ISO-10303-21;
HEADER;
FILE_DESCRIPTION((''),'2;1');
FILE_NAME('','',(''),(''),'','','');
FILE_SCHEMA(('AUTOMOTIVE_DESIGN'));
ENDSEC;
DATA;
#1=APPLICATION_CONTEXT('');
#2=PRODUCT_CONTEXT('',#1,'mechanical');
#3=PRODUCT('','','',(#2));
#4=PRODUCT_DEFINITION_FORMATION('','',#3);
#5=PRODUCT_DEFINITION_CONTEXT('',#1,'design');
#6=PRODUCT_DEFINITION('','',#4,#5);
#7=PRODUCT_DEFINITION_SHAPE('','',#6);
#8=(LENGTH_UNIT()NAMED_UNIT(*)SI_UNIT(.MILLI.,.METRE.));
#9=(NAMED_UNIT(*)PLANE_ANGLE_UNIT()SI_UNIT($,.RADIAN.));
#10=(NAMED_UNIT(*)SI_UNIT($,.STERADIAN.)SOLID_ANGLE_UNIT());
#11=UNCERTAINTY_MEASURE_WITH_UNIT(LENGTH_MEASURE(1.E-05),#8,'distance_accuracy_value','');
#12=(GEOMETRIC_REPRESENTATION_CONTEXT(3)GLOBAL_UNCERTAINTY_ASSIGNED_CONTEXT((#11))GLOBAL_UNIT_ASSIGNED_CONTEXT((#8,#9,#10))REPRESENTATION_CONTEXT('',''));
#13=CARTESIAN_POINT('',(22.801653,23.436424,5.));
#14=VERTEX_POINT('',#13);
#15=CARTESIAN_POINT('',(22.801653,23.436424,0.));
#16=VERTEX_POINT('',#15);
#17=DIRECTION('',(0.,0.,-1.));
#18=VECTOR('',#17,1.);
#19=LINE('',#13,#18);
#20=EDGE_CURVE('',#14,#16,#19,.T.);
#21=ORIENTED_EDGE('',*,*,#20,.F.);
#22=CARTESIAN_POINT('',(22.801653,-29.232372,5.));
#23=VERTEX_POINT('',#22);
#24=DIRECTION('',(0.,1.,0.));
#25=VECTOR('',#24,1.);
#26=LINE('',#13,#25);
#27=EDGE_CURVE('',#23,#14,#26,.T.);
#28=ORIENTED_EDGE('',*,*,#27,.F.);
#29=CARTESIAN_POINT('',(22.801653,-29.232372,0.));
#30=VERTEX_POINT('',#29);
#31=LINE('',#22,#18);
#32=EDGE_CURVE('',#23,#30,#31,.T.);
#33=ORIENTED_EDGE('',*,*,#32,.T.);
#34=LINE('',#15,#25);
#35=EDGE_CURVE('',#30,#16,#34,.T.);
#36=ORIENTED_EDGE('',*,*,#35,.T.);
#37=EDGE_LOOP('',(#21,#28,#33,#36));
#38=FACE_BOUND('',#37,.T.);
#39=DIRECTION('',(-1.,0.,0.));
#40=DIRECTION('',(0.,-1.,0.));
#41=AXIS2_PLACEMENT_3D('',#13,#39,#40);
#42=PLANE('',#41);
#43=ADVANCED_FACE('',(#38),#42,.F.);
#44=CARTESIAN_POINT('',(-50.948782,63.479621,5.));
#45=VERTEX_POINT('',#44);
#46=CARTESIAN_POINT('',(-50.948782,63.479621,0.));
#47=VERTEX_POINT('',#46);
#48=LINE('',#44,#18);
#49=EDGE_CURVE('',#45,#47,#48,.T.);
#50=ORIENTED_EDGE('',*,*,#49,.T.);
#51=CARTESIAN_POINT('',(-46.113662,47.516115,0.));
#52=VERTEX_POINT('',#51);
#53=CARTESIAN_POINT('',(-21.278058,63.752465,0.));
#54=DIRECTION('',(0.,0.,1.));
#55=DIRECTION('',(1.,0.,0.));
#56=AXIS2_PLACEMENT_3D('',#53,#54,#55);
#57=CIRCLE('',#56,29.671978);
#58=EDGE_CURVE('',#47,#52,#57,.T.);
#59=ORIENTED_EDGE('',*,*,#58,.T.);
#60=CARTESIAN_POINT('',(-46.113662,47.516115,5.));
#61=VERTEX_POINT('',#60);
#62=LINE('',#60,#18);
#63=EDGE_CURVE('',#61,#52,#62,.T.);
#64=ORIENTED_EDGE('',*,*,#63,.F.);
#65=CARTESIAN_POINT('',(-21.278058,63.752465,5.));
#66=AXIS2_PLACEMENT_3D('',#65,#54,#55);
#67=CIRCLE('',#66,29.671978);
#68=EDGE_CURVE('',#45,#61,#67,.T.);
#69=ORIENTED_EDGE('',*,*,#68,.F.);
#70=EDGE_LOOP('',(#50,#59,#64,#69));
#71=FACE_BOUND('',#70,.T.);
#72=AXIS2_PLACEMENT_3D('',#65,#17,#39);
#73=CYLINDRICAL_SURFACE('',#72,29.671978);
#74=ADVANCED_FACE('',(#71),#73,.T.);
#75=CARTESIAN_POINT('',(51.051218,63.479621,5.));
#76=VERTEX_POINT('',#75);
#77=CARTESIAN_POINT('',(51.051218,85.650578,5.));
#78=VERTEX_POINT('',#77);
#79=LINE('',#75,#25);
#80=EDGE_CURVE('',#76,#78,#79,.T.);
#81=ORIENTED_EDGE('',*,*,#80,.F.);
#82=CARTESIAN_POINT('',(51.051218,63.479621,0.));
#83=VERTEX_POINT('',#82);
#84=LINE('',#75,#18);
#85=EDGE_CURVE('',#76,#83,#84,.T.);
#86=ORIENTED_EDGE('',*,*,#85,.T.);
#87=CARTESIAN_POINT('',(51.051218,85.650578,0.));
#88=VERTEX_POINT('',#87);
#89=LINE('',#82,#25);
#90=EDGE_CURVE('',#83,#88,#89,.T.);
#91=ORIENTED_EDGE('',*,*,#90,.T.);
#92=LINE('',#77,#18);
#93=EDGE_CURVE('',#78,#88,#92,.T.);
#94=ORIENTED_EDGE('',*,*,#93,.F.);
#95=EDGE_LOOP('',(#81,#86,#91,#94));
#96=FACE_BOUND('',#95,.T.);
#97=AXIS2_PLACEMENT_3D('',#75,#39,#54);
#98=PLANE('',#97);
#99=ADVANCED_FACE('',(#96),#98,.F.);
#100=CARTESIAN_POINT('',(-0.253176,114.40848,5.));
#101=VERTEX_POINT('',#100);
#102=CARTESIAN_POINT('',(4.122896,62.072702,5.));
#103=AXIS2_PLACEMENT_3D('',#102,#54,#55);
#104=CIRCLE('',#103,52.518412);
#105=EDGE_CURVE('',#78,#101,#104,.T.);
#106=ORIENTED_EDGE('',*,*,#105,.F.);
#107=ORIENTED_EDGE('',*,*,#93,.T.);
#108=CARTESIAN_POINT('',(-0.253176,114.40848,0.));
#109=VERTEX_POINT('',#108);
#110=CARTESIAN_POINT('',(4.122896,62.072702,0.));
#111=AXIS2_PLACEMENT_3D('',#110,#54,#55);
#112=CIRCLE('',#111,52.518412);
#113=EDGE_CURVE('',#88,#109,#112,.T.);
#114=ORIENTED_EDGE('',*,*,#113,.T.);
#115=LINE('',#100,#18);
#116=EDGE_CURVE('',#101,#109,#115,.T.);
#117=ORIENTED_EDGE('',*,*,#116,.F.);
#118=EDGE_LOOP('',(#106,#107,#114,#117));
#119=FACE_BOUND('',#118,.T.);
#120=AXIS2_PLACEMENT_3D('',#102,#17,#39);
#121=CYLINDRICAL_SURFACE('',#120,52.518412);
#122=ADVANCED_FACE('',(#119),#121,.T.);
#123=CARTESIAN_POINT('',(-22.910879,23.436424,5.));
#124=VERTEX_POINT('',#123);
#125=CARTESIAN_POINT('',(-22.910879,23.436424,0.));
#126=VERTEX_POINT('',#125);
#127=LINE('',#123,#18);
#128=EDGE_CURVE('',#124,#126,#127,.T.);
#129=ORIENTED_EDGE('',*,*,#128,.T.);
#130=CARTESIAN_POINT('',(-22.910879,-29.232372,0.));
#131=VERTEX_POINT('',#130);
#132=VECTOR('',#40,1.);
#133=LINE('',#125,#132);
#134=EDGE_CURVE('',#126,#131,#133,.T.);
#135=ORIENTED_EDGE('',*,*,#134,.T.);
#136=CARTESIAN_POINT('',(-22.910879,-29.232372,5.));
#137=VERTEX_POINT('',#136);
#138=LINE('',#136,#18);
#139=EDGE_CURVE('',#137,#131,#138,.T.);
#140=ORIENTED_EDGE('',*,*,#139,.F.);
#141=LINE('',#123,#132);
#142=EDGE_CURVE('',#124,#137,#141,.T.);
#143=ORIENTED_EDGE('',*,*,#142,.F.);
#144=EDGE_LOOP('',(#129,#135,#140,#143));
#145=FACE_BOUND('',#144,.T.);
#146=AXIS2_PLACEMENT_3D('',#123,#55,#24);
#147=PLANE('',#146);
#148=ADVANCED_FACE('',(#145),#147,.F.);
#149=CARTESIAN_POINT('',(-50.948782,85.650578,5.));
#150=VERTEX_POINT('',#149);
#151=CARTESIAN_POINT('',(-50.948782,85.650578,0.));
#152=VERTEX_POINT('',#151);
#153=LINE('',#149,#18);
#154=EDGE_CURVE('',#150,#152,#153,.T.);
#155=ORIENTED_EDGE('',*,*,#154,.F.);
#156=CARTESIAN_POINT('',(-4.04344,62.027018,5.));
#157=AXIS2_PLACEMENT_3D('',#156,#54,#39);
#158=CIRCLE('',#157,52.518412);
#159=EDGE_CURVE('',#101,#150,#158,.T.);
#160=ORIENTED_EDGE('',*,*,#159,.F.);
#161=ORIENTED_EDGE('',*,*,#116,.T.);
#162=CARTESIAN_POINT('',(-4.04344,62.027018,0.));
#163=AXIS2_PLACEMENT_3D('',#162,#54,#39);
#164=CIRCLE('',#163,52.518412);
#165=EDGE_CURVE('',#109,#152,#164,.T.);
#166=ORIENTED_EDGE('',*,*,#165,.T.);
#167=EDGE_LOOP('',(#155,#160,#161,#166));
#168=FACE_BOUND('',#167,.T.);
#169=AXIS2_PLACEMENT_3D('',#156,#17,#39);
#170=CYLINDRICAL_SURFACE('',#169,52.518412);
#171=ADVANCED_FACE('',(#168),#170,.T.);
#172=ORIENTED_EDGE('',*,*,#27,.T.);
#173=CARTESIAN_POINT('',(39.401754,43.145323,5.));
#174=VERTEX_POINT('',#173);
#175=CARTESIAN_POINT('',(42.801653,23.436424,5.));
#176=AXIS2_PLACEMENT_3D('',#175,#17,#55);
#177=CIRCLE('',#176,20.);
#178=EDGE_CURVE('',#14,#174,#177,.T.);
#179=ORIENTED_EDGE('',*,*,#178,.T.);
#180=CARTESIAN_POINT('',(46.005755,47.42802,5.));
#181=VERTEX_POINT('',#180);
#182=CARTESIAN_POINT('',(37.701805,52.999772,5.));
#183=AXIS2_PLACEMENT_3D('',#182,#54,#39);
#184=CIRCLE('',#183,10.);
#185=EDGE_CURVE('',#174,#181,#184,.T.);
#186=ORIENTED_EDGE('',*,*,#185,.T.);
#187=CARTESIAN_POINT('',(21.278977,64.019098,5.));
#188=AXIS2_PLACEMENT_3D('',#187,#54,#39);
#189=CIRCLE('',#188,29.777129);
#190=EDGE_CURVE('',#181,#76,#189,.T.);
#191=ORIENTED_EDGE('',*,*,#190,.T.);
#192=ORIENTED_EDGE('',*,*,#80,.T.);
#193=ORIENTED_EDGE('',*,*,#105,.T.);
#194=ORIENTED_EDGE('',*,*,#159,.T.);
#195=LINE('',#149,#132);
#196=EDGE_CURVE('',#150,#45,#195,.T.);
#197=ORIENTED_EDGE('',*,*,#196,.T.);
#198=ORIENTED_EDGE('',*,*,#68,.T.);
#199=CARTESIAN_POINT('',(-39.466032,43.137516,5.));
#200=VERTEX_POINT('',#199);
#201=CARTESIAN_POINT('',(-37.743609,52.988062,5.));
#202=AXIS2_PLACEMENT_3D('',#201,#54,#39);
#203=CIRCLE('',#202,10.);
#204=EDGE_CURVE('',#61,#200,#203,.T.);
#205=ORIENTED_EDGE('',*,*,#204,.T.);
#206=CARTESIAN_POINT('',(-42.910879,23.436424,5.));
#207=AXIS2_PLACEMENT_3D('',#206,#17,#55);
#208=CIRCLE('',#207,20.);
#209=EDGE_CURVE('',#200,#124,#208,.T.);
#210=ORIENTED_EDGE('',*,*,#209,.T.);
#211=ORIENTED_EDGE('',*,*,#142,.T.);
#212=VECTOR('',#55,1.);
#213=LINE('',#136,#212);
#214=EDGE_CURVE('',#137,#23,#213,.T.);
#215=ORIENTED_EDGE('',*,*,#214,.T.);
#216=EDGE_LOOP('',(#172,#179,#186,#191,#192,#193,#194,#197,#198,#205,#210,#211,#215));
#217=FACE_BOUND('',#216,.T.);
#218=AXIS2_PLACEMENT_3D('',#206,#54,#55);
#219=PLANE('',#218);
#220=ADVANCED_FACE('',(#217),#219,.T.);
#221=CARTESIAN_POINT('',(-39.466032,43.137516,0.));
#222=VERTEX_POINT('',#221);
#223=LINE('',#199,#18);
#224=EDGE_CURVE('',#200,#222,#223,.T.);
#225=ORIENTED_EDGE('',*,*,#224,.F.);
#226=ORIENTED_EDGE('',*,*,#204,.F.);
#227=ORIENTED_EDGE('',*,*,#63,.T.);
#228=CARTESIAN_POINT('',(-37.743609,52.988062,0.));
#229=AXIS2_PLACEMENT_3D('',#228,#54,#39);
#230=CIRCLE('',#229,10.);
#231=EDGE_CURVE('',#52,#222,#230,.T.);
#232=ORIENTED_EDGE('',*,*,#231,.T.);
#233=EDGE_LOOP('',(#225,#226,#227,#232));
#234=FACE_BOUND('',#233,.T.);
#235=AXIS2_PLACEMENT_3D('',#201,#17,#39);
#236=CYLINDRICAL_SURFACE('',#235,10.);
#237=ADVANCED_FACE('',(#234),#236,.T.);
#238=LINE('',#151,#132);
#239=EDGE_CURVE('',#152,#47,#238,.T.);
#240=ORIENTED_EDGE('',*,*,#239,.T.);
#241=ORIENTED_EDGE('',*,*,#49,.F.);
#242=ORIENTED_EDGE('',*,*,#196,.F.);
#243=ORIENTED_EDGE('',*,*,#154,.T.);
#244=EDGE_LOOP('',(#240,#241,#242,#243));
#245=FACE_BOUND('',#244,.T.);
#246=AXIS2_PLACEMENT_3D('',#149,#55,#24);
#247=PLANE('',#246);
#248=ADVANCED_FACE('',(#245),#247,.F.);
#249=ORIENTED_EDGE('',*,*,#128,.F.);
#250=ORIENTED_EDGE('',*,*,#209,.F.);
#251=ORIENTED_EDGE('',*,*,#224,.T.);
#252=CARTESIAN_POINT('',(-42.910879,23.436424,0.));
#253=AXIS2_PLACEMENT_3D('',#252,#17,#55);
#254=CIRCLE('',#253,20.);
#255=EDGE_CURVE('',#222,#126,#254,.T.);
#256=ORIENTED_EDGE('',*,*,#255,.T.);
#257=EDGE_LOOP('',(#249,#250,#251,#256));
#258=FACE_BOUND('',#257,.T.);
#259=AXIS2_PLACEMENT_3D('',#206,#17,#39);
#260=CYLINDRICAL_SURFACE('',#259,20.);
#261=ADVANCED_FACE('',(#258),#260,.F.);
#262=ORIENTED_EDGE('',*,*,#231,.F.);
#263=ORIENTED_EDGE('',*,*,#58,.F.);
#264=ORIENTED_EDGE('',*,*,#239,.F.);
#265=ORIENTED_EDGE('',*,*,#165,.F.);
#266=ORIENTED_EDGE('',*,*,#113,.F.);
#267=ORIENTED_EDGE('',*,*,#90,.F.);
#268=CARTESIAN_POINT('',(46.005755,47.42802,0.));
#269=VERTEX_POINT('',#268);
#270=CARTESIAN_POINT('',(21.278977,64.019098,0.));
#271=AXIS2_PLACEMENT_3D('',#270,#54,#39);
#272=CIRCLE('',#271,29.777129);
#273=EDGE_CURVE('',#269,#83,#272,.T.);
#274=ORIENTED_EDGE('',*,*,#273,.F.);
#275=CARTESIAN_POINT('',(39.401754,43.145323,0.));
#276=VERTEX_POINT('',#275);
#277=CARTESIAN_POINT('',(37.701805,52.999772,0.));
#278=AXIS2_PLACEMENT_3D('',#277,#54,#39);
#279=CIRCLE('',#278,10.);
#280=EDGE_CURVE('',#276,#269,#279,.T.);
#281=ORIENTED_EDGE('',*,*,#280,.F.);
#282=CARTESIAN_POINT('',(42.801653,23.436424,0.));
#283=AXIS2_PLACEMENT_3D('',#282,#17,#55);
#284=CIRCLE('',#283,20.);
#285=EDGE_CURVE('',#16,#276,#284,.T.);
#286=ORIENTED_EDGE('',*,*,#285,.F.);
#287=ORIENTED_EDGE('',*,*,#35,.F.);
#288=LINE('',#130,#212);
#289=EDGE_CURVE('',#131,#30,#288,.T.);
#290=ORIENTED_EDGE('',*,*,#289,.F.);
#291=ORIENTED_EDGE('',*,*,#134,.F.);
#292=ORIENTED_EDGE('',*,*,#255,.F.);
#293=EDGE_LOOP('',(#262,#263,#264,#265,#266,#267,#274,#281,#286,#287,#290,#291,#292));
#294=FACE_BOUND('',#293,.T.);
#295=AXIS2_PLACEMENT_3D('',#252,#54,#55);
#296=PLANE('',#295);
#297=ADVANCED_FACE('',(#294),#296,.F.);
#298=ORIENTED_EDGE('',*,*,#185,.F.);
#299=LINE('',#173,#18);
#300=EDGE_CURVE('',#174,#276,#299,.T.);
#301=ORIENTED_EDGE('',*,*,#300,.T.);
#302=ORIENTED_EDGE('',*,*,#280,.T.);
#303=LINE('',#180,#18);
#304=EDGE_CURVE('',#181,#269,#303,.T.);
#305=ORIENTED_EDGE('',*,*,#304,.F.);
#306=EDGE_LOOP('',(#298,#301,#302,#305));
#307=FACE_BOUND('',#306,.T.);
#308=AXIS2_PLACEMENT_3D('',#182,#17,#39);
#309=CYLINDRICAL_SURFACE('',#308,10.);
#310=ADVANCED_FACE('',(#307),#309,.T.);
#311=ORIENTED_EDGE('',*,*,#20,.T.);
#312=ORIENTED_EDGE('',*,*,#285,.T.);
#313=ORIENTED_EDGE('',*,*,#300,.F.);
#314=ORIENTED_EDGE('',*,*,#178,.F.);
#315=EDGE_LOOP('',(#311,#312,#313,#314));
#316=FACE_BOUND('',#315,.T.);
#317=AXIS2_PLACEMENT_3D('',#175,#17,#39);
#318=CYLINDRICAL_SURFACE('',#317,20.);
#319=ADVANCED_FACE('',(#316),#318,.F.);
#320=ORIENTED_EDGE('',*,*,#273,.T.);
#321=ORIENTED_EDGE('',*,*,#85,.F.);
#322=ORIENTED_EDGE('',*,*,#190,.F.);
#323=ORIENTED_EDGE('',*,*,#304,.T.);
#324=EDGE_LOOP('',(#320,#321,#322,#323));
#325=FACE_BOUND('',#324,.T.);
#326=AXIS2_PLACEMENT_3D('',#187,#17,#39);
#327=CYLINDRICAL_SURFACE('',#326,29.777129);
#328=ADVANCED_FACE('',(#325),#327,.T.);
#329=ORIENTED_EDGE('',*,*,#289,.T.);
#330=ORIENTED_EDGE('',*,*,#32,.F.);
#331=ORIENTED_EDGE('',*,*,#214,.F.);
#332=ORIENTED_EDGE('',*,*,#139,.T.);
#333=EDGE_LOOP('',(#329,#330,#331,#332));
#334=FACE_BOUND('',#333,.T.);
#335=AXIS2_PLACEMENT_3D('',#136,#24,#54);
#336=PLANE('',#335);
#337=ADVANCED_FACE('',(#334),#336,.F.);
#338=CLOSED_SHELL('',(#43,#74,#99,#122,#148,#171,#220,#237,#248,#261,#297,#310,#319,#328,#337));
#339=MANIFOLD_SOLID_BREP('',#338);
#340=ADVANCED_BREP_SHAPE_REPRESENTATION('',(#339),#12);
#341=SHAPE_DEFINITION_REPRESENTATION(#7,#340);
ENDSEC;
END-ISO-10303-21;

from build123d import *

# Parameters (mm, degrees)
EXTRUDE_1_DEPTH = 5


with BuildPart() as part:
    # Эскиз1 → Вытянуть1 (new body)
    with BuildSketch(Plane.XY):
        with BuildLine():
            Line((51.051218407, 63.479620652), (51.051218407, 85.650578056))
            ThreePointArc((51.051218407, 85.650578056), (29.802221193, 107.884883156), (-0.253175823, 114.408480022))
            ThreePointArc((-0.253175823, 114.408480022), (-29.956404055, 107.707451089), (-50.948781593, 85.650578205))
            Line((-50.948781593, 85.650578205), (-50.948781593, 63.479620652))
            ThreePointArc((-50.948781593, 63.479620652), (-49.676003697, 55.151129839), (-46.113662299, 47.516115329))
            ThreePointArc((-46.113662299, 47.516115329), (-43.24429549, 44.636868096), (-39.466032041, 43.137516297))
            ThreePointArc((-39.466032041, 43.137516297), (-27.599168456, 36.303107276), (-22.910878505, 23.436424124))
            Line((-22.910878505, 23.436424124), (-22.910878505, -29.232372122))
            Line((-22.910878505, -29.232372122), (22.801652741, -29.232372122))
            Line((22.801652741, -29.232372122), (22.801652741, 23.436424124))
            ThreePointArc((22.801652741, 23.436424124), (27.504627406, 36.320562274), (39.401754329, 43.145322895))
            ThreePointArc((39.401754329, 43.145322895), (43.142841115, 44.60959187), (46.005754814, 47.428020354))
            ThreePointArc((46.005754814, 47.428020354), (49.685829012, 55.090035656), (51.051218407, 63.479620652))
        make_face()
    extrude(amount=EXTRUDE_1_DEPTH)


solid = part.part
